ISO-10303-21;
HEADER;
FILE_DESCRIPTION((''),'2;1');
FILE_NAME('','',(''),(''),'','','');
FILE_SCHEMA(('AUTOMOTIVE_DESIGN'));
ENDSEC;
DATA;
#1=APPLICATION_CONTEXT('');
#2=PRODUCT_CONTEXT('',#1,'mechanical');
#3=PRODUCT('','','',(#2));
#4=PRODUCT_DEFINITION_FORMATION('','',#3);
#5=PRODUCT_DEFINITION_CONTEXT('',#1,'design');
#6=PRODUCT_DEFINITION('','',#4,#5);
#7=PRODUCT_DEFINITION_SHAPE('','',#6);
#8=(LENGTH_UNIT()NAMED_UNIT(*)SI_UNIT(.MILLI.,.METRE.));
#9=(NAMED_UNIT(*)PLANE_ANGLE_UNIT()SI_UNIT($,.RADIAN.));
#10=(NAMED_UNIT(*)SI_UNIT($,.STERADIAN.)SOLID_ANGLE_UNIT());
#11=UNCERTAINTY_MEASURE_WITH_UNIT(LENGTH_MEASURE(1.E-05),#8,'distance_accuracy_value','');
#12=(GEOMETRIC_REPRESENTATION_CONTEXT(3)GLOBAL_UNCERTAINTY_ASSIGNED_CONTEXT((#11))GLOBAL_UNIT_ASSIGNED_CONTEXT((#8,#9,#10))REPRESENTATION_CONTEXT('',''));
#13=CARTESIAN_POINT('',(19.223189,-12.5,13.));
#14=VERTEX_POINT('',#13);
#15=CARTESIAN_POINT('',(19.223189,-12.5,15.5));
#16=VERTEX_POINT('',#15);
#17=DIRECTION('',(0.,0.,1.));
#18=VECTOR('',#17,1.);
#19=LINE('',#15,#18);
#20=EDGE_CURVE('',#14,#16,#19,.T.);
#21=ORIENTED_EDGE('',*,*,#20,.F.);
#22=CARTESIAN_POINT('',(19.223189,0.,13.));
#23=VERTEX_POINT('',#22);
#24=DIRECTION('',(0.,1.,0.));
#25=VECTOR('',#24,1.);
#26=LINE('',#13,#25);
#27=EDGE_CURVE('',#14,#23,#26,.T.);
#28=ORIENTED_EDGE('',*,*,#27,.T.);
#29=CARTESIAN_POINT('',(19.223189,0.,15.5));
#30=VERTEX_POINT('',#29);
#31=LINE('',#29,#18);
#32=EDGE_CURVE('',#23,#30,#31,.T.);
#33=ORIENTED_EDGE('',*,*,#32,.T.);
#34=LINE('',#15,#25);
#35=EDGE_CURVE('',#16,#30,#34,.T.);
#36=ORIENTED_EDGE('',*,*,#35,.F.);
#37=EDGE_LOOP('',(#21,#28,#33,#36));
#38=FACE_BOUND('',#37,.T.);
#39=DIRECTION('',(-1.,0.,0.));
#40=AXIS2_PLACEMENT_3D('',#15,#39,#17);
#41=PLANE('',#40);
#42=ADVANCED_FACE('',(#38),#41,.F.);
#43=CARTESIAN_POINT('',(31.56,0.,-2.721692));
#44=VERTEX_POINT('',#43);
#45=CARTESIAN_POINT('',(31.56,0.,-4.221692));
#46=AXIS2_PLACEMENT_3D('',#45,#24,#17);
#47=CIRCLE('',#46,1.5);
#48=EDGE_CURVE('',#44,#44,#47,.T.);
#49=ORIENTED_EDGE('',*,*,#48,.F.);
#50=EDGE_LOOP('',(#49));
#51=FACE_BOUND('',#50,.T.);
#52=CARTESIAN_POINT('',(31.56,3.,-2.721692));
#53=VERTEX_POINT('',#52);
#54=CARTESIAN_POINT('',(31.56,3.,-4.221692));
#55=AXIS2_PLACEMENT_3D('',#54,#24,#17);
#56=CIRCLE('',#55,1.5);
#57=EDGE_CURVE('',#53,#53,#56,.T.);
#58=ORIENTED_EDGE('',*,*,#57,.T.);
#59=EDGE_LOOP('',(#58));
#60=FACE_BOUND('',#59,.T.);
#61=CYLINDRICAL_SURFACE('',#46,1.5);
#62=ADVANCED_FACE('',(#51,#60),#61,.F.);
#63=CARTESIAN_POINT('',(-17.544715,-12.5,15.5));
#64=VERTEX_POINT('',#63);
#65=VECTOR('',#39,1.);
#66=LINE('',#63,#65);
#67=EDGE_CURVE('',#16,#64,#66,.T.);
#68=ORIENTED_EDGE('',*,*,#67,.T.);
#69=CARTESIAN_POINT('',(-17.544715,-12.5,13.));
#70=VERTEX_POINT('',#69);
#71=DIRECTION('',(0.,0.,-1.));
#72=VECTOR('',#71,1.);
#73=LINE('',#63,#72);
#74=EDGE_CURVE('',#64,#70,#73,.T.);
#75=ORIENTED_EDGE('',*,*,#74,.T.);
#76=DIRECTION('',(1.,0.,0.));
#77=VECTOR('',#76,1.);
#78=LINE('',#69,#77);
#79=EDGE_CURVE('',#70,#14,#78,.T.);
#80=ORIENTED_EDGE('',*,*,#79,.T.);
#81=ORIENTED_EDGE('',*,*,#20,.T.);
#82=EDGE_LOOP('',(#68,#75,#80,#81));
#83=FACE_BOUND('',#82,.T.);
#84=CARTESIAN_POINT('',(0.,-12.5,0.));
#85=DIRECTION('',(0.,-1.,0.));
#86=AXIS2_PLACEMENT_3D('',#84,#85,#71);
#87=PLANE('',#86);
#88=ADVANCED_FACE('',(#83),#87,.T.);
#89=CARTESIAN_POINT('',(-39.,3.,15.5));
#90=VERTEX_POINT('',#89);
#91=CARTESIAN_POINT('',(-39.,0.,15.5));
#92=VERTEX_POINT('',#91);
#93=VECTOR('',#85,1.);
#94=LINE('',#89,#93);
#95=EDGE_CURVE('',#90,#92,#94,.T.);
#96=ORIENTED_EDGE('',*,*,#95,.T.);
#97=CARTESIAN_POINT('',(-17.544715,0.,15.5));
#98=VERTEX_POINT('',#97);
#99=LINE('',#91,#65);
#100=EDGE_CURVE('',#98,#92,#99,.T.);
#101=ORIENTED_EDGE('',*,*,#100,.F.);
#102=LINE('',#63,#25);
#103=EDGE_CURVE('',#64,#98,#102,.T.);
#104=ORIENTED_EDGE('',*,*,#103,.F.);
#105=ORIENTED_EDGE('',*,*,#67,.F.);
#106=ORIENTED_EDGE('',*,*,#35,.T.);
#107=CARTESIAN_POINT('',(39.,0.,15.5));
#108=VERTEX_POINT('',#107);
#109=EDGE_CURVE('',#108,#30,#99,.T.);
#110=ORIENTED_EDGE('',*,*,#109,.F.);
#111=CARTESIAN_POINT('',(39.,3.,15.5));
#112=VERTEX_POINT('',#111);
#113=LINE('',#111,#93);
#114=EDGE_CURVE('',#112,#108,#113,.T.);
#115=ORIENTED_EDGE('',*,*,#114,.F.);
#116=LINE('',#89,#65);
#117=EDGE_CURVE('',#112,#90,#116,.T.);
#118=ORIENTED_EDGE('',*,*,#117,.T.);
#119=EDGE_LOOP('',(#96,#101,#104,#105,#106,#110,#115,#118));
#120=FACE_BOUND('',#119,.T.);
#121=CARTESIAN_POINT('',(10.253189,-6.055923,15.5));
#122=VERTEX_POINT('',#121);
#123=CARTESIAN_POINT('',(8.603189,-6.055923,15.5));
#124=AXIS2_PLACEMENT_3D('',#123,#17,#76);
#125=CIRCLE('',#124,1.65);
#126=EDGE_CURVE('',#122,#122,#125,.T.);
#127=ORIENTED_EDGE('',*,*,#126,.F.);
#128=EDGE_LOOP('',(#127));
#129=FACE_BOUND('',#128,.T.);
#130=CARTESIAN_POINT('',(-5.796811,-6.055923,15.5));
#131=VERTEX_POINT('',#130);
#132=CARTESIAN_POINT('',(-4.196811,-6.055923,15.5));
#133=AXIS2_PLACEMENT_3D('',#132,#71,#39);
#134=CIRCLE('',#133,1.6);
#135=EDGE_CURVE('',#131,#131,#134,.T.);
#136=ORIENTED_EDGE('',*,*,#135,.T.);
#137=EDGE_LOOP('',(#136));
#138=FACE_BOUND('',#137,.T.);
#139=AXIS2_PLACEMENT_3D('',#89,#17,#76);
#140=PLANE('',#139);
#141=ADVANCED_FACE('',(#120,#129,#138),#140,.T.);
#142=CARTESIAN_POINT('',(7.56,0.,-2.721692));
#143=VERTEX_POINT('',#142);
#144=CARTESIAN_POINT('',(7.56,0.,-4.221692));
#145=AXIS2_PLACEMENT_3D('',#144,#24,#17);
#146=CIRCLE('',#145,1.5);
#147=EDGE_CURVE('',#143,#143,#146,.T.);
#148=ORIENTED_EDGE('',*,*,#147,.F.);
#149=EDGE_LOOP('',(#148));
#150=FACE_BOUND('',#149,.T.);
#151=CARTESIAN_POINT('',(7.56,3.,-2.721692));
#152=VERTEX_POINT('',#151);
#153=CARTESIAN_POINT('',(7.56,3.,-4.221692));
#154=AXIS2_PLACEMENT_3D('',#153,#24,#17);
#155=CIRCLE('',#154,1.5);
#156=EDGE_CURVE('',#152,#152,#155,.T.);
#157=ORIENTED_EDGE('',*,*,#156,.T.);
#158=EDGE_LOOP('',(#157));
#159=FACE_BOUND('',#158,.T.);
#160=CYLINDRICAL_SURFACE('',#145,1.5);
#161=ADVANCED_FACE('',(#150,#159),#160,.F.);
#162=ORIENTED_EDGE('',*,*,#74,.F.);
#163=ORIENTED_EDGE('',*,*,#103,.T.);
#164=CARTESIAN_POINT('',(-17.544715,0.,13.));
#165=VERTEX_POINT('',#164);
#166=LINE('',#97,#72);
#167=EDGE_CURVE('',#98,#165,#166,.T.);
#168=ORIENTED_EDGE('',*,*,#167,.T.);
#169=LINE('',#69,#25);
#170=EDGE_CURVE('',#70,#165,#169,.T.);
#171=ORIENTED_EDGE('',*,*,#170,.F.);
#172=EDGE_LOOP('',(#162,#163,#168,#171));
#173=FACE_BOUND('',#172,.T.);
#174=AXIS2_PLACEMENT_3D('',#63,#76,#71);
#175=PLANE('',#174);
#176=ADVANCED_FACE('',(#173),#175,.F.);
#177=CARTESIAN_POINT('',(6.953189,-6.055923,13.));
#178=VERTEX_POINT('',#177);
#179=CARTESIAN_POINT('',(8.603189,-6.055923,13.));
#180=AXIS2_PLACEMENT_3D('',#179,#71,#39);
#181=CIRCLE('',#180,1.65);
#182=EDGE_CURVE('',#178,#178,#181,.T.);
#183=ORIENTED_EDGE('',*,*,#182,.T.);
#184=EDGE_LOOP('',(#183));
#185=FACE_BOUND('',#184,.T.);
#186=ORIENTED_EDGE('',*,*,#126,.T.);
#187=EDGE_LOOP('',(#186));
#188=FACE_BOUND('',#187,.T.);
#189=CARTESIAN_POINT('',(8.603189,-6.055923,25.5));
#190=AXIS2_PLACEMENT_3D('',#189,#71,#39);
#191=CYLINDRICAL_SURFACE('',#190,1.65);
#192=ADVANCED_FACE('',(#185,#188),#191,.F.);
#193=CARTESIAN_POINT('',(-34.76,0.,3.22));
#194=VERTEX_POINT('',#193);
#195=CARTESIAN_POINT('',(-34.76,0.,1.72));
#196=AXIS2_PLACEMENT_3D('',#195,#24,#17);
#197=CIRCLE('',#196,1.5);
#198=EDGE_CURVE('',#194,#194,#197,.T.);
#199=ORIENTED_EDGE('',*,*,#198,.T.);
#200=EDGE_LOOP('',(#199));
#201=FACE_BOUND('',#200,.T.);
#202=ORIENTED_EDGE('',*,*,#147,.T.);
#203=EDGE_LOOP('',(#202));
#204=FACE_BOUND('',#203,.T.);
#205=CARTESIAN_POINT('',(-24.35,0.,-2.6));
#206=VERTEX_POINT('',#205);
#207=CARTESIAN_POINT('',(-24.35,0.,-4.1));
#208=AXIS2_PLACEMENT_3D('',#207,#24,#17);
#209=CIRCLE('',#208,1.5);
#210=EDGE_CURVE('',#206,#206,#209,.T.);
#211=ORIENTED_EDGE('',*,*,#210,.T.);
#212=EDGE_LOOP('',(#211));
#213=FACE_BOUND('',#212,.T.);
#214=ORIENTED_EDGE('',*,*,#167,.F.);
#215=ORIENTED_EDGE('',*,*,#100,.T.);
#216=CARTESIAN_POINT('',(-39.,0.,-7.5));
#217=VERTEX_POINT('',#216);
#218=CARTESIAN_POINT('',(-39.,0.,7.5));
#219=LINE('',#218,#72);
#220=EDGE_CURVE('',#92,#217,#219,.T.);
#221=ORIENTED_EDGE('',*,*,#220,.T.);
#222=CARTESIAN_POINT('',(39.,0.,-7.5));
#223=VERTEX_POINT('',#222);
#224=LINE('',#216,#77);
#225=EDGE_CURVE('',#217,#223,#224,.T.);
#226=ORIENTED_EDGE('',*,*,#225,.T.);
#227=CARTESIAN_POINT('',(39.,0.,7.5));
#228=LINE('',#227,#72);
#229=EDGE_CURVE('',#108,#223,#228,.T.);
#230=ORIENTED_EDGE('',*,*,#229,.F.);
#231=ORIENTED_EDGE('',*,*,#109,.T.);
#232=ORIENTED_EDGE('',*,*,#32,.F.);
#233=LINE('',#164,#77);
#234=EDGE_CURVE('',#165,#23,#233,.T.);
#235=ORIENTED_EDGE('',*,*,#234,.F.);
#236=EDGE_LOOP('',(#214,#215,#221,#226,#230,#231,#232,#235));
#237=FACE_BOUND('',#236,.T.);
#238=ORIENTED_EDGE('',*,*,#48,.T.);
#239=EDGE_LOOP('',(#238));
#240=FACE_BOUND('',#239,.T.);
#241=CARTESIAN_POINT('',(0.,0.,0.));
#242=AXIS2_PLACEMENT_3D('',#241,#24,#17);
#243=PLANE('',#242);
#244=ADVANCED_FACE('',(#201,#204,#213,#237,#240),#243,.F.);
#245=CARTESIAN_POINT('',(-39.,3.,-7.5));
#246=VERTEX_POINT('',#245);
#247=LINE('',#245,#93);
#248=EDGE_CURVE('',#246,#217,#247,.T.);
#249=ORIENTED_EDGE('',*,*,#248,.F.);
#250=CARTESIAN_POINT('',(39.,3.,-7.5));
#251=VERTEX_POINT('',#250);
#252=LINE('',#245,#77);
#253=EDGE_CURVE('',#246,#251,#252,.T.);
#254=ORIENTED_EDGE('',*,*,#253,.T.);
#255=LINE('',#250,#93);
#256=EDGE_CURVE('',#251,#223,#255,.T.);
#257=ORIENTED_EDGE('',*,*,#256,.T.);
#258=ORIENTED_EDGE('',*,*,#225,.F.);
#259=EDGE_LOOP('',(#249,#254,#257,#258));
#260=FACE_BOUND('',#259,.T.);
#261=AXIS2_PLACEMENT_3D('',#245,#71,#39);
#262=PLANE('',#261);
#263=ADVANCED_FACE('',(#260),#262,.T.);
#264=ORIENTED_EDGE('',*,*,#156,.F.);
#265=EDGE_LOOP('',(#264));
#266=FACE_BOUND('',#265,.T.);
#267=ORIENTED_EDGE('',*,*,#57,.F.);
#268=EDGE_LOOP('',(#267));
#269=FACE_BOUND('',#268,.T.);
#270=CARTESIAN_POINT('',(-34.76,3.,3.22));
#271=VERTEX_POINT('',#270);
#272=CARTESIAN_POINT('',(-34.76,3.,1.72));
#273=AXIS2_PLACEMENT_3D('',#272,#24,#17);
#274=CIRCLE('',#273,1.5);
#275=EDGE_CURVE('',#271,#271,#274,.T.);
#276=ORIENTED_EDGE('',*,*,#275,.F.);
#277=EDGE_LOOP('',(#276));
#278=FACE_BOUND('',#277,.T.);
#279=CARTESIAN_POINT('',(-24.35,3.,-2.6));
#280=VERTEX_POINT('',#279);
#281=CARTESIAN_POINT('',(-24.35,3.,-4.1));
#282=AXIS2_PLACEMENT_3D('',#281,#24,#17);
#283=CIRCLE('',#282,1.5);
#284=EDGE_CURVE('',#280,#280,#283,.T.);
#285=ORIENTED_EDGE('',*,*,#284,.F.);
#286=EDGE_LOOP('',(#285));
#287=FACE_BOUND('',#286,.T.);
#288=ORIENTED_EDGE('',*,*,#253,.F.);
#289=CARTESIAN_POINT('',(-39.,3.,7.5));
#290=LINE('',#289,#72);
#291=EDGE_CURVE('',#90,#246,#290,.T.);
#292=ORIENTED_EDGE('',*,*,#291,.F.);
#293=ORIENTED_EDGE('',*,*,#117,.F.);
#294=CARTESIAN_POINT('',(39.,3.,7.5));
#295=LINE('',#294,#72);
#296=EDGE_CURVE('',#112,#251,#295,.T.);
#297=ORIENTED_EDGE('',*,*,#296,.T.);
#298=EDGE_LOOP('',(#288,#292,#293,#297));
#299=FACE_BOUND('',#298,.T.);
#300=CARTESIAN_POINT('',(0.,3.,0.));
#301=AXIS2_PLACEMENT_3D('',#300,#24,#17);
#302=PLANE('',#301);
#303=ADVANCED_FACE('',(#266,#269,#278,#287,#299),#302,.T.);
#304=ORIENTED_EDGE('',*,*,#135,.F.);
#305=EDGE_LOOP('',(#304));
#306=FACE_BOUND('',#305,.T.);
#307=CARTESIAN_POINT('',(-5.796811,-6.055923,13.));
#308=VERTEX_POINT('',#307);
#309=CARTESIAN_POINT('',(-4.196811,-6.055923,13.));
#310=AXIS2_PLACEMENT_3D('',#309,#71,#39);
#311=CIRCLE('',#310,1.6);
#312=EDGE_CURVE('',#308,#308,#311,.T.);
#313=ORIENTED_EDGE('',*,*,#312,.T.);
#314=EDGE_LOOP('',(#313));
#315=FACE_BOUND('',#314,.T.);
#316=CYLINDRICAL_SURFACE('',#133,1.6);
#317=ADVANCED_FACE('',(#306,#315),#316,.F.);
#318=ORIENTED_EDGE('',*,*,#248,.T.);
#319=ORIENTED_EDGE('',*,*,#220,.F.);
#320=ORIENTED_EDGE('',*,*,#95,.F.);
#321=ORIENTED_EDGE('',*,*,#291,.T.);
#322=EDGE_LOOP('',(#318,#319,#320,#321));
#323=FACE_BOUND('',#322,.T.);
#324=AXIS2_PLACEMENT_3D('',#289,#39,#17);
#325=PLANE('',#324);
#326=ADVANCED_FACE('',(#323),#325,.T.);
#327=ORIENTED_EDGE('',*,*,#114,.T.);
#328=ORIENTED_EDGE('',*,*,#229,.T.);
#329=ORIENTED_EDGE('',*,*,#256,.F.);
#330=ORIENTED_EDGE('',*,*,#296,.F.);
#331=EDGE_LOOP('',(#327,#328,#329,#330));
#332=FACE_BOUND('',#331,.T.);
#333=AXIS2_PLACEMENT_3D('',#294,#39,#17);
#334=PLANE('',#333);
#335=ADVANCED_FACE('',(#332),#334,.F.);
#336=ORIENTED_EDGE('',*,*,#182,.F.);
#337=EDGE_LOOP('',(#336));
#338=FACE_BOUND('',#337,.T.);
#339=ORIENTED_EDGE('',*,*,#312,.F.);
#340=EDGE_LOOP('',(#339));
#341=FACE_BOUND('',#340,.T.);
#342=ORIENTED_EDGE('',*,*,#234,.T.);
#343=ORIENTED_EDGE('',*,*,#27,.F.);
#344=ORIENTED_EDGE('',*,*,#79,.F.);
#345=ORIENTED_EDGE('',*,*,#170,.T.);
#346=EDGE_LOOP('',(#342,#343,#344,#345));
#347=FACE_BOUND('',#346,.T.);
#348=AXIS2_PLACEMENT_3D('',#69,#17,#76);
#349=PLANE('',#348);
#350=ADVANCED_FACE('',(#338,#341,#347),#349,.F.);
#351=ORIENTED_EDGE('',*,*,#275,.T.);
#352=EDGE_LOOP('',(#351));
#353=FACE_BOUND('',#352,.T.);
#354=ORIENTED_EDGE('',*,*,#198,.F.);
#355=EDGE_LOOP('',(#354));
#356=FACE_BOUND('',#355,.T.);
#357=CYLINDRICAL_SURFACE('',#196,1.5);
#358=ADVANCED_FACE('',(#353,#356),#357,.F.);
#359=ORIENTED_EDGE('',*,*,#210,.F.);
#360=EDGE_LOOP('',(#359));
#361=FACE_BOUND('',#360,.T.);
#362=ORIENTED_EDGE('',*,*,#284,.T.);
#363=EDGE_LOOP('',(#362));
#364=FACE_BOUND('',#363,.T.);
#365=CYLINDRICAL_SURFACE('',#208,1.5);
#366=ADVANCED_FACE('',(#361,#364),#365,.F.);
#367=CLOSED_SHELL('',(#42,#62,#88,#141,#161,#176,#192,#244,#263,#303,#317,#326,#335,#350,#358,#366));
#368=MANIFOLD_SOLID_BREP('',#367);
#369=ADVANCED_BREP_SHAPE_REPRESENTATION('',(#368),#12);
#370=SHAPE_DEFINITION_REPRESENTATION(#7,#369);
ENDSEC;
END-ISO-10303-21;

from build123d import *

# Parameters (mm, degrees)
SKETCH_1_W                = 78
SKETCH_1_H                = 15
EXTRUDE_1_DEPTH           = 3
SKETCH_3_R                = 1.5
CUT_EXTRUDE_1_DEPTH       = 3
SKETCH_4_R                = 6
EXTRUDE_2_DEPTH           = 18
SKETCH_5_R                = 4.5
CUT_EXTRUDE_2_DEPTH       = 21
F_2_0MM_2_D               = 3
F_2_0MM_2_DEPTH           = 4.5
F_2_0MM_2_TIP             = 1.5
F_2_0MM_2_ON_FACE_2_D     = 3
F_2_0MM_2_ON_FACE_2_DEPTH = 4.5
F_2_0MM_2_ON_FACE_2_TIP   = 1.5
SKETCH_10_W               = 6
SKETCH_10_H               = 10
CUT_EXTRUDE_3_DEPTH       = 7
SKETCH_13_W               = 19.835687411
SKETCH_13_H               = 21.610205193
CUT_EXTRUDE_4_DEPTH       = 20
SKETCH_14_W               = 11.523038103
SKETCH_14_H               = 10.49031299
EXTRUDE_3_DEPTH           = 3
SKETCH_18_W               = 78
SKETCH_18_H               = 8
EXTRUDE_4_DEPTH           = 3
SKETCH_19_W               = 36.767904102
SKETCH_19_H               = 2.5
EXTRUDE_5_DEPTH           = 12.5
SKETCH_23_R               = 1.65
CUT_EXTRUDE_6_DEPTH       = 12.5
SKETCH_25_W               = 4.236607592
SKETCH_25_H               = 5.36409187
EXTRUDE_7_DEPTH           = 2.5
SKETCH_26_R               = 1.6
CUT_EXTRUDE_7_DEPTH       = 2.5


with BuildPart() as part:
    # 草图1 → 凸台-拉伸1 (new body)
    with BuildSketch(Plane(origin=(0, 0, 0), x_dir=(1, 0, 0), z_dir=(0, 1, 0))):
        Rectangle(SKETCH_1_W, SKETCH_1_H)
    extrude(amount=EXTRUDE_1_DEPTH)

    # 草图3 → 切除-拉伸1 (cut)
    with BuildSketch(Plane(origin=(0, 3, 0), x_dir=(1, 0, 0), z_dir=(0, 1, 0))):
        with Locations(Location((-34.76, -1.72, 0), (0, 0, 270))):
            Circle(SKETCH_3_R)
        with Locations(Location((-24.35, 4.1, 0), (0, 0, 270))):
            Circle(SKETCH_3_R)
        with Locations(Location((31.56, 4.221692081, 0), (0, 0, 270))):
            Circle(SKETCH_3_R)
        with Locations(Location((7.56, 4.221692081, 0), (0, 0, 270))):
            Circle(SKETCH_3_R)
    extrude(amount=-CUT_EXTRUDE_1_DEPTH, mode=Mode.SUBTRACT)

    # 草图4 → 凸台-拉伸2 (add)
    with BuildSketch(Plane(origin=(0, 3, 0), x_dir=(1, 0, 0), z_dir=(0, 1, 0))):
        with Locations(Location((-3, -1.234165229, 0), (0, 0, 270))):
            Circle(SKETCH_4_R)
    extrude(amount=EXTRUDE_2_DEPTH)

    # 草图5 → 切除-拉伸2 (cut)
    with BuildSketch(Plane(origin=(0, 21, 0), x_dir=(1, 0, 0), z_dir=(0, 1, 0))):
        with Locations(Location((-3, -1.234165229, 0), (0, 0, 270))):
            Circle(SKETCH_5_R)
    extrude(amount=-CUT_EXTRUDE_2_DEPTH, mode=Mode.SUBTRACT)

    # Ø2.0mm 暗销孔2
    with Locations(Plane(origin=(-7.901331048, 17.342107422, 4.694938836), x_dir=(-0.576795601176, 0, -0.816888507977), z_dir=(-0.816888507977, 0, 0.576795601176))):
        with Locations((0, 0)):
            Hole(F_2_0MM_2_D / 2, depth=F_2_0MM_2_DEPTH)
            with Locations((0, 0, -(F_2_0MM_2_DEPTH + F_2_0MM_2_TIP / 2))):  # 90° drill point
                Cone(0, F_2_0MM_2_D / 2, F_2_0MM_2_TIP, mode=Mode.SUBTRACT)

    # Ø2.0mm 暗销孔2 on face 2
    with Locations(Plane(origin=(1.071764877, 17.164817099, 5.641061052), x_dir=(0.734483043181, 0, -0.678627039897), z_dir=(0.678627039897, 0, 0.734483043181))):
        with Locations((0, 0)):
            Hole(F_2_0MM_2_ON_FACE_2_D / 2, depth=F_2_0MM_2_ON_FACE_2_DEPTH)
            with Locations((0, 0, -(F_2_0MM_2_ON_FACE_2_DEPTH + F_2_0MM_2_ON_FACE_2_TIP / 2))):  # 90° drill point
                Cone(0, F_2_0MM_2_ON_FACE_2_D / 2, F_2_0MM_2_ON_FACE_2_TIP, mode=Mode.SUBTRACT)

    # 草图10 → 切除-拉伸3 (cut)
    with BuildSketch(Plane(origin=(0, 0, -7.5), x_dir=(-1, 0, 0), z_dir=(0, 0, -1))):
        with Locations((3, 8)):
            Rectangle(SKETCH_10_W, SKETCH_10_H)
    extrude(amount=-CUT_EXTRUDE_3_DEPTH, mode=Mode.SUBTRACT)

    # 草图13 → 切除-拉伸4 (cut)
    with BuildSketch(Plane(origin=(0, 0, -7.5), x_dir=(-1, 0, 0), z_dir=(0, 0, -1))):
        with Locations((3.314421038, 13.805102597)):
            Rectangle(SKETCH_13_W, SKETCH_13_H)
    extrude(amount=-CUT_EXTRUDE_4_DEPTH, mode=Mode.SUBTRACT)

    # 草图14 → 凸台-拉伸3 (add)
    with BuildSketch(Plane(origin=(0, 3, 0), x_dir=(1, 0, 0), z_dir=(0, 1, 0))):
        with Locations((-2.989467433, -1.263493391)):
            Rectangle(SKETCH_14_W, SKETCH_14_H)
    extrude(amount=-EXTRUDE_3_DEPTH)

    # 草图18 → 凸台-拉伸4 (add)
    with BuildSketch(Plane.XZ):
        with Locations((0, 11.5)):
            Rectangle(SKETCH_18_W, SKETCH_18_H)
    extrude(amount=-EXTRUDE_4_DEPTH)

    # 草图19 → 凸台-拉伸5 (add)
    with BuildSketch(Plane.XZ):
        with Locations((0.839237194, 14.25)):
            Rectangle(SKETCH_19_W, SKETCH_19_H)
    extrude(amount=EXTRUDE_5_DEPTH)

    # 草图23 → 切除-拉伸6 (cut)
    with BuildSketch(Plane(origin=(0, 0, 13), x_dir=(-1, 0, 0), z_dir=(0, 0, -1))):
        with Locations((-8.603189245, -6.05592298)):
            Circle(SKETCH_23_R)
        with Locations((2.596810755, -6.05592298)):
            Circle(SKETCH_23_R)
    extrude(amount=-CUT_EXTRUDE_6_DEPTH, mode=Mode.SUBTRACT)

    # 草图25 → 凸台-拉伸7 (add)
    with BuildSketch(Plane(origin=(0, 0, 13), x_dir=(-1, 0, 0), z_dir=(0, 0, -1))):
        with Locations((2.330668631, -6.426480946)):
            Rectangle(SKETCH_25_W, SKETCH_25_H)
    extrude(amount=-EXTRUDE_7_DEPTH)

    # 草图26 → 切除-拉伸7 (cut)
    with BuildSketch(Plane(origin=(0, 0, 13), x_dir=(-1, 0, 0), z_dir=(0, 0, -1))):
        with Locations((4.196810755, -6.05592298)):
            Circle(SKETCH_26_R)
    extrude(amount=-CUT_EXTRUDE_7_DEPTH, mode=Mode.SUBTRACT)


solid = part.part
